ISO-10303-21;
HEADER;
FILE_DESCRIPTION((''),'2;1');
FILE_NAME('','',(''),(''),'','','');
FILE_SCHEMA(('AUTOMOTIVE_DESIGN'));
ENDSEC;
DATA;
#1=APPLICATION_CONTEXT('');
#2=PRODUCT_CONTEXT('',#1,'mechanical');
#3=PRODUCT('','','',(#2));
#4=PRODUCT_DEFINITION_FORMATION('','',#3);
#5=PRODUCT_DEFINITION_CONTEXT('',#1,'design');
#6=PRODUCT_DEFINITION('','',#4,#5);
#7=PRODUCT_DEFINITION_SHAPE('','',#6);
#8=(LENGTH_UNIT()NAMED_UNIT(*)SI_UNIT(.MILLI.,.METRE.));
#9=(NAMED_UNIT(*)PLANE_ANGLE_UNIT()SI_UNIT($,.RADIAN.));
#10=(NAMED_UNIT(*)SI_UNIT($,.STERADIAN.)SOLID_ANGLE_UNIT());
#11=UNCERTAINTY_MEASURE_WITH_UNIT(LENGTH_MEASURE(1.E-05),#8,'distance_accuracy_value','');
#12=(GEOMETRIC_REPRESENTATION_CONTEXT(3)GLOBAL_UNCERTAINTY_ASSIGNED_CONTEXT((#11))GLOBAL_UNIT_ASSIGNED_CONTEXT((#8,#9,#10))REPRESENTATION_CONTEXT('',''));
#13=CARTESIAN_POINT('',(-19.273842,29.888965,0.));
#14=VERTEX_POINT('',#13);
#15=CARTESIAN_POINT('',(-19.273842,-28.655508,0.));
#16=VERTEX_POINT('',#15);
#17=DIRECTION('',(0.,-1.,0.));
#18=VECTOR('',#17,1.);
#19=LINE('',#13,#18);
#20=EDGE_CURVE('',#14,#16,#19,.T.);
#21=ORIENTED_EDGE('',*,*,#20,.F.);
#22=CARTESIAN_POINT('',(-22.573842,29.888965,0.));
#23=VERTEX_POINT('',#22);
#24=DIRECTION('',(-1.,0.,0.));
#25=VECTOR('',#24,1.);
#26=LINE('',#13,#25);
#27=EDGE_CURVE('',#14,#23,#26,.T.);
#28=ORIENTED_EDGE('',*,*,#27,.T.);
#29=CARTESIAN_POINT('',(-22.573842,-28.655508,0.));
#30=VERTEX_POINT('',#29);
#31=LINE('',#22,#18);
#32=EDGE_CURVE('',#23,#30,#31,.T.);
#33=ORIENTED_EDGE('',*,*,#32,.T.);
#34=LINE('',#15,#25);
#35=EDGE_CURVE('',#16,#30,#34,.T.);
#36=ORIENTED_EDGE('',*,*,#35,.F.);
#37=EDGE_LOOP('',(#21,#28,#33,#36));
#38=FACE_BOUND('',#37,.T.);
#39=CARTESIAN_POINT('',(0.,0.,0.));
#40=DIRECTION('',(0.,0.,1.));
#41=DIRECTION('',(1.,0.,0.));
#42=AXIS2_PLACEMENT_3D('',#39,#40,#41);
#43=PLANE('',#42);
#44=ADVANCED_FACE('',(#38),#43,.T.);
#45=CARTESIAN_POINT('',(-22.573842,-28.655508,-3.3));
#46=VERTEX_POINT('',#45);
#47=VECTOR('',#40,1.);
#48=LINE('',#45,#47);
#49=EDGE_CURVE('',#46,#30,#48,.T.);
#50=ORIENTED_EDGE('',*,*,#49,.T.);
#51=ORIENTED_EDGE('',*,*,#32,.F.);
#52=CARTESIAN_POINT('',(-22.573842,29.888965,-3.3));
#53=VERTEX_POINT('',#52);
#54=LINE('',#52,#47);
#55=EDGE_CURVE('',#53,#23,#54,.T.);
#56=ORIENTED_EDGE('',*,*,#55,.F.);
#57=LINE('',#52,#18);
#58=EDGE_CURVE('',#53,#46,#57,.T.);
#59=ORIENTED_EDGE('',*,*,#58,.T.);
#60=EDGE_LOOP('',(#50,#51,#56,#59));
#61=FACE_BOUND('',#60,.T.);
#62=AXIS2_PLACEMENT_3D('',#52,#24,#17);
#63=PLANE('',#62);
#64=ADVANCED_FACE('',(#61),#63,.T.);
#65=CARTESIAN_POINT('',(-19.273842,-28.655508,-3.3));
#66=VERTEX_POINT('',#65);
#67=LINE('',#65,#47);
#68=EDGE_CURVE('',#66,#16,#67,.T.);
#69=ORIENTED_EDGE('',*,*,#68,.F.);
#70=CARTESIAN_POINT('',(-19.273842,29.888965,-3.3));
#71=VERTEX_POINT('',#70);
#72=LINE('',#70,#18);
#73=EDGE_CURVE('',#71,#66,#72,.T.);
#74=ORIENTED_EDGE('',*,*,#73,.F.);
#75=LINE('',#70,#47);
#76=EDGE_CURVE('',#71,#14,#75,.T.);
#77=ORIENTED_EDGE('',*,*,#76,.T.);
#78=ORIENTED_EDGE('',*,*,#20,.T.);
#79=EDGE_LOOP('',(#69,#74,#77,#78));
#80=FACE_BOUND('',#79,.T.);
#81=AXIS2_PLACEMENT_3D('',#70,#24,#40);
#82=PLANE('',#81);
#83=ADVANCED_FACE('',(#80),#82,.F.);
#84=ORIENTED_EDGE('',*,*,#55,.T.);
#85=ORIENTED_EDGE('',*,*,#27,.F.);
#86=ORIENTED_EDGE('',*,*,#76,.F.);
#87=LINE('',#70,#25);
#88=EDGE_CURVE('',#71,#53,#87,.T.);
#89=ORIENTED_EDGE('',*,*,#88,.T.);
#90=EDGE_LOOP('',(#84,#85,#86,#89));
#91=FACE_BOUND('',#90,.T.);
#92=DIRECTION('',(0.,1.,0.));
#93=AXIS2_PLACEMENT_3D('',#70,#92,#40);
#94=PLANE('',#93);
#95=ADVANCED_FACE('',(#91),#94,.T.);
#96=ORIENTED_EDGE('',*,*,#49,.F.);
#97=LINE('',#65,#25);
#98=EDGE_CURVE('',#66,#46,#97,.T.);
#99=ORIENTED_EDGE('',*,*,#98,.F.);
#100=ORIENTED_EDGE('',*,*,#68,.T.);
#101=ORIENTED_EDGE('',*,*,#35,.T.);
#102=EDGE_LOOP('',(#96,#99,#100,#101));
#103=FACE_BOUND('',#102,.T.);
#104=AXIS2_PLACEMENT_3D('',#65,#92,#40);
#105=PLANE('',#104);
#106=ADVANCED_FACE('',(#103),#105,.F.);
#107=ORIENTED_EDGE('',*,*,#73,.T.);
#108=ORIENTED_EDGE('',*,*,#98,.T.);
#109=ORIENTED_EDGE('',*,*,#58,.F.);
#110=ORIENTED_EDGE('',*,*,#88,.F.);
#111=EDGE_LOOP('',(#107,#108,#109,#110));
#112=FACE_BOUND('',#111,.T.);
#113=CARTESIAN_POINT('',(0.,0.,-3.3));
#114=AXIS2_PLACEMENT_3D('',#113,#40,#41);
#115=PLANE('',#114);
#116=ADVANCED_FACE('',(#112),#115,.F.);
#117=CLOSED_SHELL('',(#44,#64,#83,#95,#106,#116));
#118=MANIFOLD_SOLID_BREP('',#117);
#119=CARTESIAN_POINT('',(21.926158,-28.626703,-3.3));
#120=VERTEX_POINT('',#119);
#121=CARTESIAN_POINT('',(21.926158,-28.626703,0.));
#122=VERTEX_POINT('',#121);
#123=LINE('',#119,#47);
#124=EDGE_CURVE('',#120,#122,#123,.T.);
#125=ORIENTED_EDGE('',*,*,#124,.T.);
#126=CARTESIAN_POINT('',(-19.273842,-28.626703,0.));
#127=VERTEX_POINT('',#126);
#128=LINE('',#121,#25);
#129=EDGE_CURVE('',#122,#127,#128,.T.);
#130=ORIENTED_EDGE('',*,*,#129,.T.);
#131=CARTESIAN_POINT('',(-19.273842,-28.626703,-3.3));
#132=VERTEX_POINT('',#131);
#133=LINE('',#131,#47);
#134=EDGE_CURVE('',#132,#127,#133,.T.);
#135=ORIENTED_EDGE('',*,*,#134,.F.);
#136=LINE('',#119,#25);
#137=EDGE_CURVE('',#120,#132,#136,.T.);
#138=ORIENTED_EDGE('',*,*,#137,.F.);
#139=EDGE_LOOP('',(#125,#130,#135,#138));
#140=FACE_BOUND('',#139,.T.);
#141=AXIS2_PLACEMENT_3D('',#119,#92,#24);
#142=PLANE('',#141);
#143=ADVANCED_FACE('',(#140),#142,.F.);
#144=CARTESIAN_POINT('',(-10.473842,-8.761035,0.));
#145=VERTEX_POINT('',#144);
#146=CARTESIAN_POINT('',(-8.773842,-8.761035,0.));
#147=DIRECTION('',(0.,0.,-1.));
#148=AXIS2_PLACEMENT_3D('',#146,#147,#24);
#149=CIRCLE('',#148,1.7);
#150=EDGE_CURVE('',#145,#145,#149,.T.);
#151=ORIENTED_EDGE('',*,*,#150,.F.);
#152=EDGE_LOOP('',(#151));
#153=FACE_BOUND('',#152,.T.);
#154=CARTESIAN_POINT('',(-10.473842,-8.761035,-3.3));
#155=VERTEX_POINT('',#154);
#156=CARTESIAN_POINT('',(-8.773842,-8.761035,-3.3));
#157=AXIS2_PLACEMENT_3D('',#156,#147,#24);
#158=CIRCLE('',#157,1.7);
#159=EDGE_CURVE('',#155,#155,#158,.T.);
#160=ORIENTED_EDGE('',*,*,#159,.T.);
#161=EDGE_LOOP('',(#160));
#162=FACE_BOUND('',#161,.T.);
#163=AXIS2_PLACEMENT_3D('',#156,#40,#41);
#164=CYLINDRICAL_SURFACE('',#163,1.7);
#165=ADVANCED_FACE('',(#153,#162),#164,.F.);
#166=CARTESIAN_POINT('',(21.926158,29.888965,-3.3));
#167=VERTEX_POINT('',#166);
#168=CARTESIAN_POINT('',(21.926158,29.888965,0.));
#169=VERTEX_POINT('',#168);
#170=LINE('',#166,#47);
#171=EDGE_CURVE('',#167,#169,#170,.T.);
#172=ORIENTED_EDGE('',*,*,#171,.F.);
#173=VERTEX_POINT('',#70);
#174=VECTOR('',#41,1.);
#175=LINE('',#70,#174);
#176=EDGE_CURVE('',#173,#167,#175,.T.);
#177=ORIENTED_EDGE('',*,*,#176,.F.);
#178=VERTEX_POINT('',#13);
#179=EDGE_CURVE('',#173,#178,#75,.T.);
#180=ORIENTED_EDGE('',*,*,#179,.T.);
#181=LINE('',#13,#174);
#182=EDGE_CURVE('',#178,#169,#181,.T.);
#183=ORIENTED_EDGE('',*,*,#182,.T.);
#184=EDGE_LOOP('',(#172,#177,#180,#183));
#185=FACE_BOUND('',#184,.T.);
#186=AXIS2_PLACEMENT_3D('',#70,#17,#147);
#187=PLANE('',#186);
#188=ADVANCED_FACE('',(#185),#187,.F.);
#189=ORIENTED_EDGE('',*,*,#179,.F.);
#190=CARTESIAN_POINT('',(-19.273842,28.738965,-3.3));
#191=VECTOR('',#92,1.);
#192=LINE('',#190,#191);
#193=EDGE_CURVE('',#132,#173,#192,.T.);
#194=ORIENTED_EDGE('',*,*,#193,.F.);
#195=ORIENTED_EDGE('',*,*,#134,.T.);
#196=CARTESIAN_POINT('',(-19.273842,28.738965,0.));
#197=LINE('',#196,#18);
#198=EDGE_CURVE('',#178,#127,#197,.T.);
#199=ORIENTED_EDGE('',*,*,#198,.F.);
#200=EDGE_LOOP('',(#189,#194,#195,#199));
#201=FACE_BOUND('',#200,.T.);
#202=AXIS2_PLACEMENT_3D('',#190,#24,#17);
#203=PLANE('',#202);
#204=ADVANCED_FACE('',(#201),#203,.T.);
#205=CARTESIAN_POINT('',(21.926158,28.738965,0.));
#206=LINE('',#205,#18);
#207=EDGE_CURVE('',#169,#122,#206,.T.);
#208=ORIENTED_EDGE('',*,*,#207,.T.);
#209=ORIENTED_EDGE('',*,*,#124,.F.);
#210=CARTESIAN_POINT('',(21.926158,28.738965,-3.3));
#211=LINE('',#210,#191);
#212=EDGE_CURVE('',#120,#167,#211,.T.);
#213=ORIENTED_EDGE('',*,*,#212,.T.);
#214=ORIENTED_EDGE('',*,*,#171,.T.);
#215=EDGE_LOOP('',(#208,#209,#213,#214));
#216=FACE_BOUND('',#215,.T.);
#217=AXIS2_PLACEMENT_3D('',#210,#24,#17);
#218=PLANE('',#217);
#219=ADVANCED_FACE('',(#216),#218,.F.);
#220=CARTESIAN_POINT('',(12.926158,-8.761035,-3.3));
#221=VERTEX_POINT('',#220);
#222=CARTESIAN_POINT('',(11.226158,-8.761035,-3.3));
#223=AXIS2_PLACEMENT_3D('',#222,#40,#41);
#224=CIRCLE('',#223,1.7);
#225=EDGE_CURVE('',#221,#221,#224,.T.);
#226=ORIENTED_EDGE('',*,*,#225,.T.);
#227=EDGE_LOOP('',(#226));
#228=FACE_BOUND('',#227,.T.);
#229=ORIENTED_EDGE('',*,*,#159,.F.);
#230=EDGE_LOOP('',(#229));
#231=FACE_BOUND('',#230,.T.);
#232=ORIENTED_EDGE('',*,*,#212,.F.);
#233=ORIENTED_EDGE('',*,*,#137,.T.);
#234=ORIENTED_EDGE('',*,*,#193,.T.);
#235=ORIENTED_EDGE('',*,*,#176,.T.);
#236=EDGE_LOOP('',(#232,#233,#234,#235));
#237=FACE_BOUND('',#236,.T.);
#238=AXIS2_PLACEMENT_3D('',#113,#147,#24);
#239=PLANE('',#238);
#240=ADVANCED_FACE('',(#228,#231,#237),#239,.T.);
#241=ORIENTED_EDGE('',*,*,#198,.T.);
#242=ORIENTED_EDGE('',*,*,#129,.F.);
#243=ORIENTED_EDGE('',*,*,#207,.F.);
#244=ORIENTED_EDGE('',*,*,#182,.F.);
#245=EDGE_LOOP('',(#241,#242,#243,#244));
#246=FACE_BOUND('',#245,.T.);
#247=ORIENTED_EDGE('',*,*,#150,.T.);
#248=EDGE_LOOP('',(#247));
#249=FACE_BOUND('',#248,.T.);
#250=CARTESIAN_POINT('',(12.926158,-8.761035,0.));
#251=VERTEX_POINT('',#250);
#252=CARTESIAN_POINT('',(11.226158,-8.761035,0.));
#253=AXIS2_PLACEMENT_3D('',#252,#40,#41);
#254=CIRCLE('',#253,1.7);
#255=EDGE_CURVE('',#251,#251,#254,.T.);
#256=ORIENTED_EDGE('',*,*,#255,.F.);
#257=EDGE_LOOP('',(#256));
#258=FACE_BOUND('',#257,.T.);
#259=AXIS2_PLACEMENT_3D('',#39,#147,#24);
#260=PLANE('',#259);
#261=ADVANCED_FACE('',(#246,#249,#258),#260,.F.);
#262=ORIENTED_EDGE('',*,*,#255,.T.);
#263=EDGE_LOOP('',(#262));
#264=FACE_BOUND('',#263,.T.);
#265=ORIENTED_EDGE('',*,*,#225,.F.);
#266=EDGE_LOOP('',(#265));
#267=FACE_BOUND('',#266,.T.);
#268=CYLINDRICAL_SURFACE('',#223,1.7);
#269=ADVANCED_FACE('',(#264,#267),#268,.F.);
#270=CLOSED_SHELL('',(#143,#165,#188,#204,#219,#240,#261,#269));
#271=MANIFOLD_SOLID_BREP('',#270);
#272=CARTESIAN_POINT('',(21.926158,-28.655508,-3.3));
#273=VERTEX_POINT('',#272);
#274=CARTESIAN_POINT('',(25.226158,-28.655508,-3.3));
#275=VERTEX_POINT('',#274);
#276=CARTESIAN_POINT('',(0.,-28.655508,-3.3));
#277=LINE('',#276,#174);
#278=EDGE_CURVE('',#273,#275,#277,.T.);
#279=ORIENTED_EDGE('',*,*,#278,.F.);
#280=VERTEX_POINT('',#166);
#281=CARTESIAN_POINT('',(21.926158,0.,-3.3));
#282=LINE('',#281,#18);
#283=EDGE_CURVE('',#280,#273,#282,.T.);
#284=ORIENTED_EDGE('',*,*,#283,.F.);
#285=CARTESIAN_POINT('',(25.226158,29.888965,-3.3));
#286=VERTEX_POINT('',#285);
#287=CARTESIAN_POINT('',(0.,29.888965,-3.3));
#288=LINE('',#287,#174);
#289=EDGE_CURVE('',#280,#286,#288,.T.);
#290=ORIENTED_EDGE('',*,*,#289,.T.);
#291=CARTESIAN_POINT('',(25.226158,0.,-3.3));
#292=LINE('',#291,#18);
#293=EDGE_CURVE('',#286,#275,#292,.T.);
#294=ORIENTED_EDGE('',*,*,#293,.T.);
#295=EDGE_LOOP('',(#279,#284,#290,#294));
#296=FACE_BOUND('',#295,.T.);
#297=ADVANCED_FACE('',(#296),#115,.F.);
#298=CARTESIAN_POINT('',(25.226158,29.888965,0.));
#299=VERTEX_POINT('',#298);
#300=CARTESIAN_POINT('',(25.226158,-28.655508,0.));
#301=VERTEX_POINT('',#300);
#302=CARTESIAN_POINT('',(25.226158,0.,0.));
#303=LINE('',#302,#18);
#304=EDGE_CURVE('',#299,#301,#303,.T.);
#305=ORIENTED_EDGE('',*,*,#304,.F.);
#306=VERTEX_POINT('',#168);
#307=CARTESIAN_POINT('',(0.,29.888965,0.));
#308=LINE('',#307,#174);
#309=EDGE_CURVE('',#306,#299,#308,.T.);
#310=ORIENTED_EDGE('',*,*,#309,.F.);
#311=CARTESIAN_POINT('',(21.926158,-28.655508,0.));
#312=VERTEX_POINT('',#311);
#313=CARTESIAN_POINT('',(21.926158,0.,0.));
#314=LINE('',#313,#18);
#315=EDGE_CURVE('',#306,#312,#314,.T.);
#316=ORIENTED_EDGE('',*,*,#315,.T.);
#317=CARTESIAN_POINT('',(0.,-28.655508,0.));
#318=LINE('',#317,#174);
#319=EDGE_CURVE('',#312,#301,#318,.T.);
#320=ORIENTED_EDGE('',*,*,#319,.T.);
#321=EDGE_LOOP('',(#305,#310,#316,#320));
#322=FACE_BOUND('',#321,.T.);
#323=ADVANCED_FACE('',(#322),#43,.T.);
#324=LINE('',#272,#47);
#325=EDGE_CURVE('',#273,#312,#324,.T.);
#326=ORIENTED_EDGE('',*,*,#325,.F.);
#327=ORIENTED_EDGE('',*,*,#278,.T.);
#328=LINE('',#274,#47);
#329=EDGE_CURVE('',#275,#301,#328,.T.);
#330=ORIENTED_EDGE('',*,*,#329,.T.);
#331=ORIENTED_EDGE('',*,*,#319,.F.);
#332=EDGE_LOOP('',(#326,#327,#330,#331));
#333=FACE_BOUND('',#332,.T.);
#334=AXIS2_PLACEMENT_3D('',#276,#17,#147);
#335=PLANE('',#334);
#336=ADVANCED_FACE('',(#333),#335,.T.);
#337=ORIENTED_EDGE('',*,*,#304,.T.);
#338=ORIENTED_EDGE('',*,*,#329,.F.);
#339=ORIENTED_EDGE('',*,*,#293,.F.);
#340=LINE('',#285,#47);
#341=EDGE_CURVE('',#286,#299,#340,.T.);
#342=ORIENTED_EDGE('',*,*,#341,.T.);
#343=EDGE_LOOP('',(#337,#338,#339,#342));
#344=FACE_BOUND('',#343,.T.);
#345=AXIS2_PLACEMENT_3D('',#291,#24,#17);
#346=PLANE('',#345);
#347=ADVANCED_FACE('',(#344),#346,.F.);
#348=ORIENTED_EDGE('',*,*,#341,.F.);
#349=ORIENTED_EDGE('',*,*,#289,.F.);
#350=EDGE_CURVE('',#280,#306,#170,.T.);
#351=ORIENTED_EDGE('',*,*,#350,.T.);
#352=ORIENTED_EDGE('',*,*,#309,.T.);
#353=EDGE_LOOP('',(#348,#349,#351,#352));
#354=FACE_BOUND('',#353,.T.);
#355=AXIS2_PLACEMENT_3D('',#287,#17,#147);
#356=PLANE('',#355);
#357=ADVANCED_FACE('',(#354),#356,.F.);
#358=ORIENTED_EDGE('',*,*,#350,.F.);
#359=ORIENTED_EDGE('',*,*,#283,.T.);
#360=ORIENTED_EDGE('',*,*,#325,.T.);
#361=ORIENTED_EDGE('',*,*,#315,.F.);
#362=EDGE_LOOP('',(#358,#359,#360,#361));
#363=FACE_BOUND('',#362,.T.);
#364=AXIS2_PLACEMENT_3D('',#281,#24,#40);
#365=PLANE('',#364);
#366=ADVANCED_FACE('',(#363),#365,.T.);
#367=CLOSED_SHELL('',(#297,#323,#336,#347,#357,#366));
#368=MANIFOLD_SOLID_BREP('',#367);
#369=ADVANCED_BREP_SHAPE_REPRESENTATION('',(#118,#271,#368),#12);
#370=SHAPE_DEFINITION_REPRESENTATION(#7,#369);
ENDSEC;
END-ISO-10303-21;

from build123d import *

# Parameters (mm, degrees)
SKETCH_1_R        = 1.7
EXTRUDE_1_DEPTH   = 3.3
SKETCH_2_W        = 3.3
SKETCH_2_H        = 58.544472475
EXTRUDE_2_DEPTH   = 3.3
EXTRUDE_2_2_DEPTH = 3.3


with BuildPart() as part:
    # 草圖1 → 填料-伸長1 (new body)
    with BuildSketch(Plane.XY):
        Polygon((21.926158038, 28.738964578), (21.926158038, -28.626702997), (-19.273841962, -28.626702997), (-19.273841962, 28.738964578), (-19.273841962, 29.888964578), (21.926158038, 29.888964578), align=None)
        with Locations((11.226158038, -8.761035422)):
            Circle(SKETCH_1_R, mode=Mode.SUBTRACT)
        with Locations((-8.773841962, -8.761035422)):
            Circle(SKETCH_1_R, mode=Mode.SUBTRACT)
    extrude(amount=-EXTRUDE_1_DEPTH)


with BuildPart() as body_2:
    # 草圖2 → 填料-伸長2 (new body)
    with BuildSketch(Plane.XY):
        with Locations((23.576158038, 0.61672834)):
            Rectangle(SKETCH_2_W, SKETCH_2_H)
    extrude(amount=-EXTRUDE_2_DEPTH)


with BuildPart() as body_3:
    # 草圖2 → Extrude 2 2 (new body)
    with BuildSketch(Plane.XY):
        with Locations((-20.923841962, 0.61672834)):
            Rectangle(SKETCH_2_W, SKETCH_2_H)
    extrude(amount=-EXTRUDE_2_2_DEPTH)


solid = Compound([part.part, body_2.part, body_3.part])
